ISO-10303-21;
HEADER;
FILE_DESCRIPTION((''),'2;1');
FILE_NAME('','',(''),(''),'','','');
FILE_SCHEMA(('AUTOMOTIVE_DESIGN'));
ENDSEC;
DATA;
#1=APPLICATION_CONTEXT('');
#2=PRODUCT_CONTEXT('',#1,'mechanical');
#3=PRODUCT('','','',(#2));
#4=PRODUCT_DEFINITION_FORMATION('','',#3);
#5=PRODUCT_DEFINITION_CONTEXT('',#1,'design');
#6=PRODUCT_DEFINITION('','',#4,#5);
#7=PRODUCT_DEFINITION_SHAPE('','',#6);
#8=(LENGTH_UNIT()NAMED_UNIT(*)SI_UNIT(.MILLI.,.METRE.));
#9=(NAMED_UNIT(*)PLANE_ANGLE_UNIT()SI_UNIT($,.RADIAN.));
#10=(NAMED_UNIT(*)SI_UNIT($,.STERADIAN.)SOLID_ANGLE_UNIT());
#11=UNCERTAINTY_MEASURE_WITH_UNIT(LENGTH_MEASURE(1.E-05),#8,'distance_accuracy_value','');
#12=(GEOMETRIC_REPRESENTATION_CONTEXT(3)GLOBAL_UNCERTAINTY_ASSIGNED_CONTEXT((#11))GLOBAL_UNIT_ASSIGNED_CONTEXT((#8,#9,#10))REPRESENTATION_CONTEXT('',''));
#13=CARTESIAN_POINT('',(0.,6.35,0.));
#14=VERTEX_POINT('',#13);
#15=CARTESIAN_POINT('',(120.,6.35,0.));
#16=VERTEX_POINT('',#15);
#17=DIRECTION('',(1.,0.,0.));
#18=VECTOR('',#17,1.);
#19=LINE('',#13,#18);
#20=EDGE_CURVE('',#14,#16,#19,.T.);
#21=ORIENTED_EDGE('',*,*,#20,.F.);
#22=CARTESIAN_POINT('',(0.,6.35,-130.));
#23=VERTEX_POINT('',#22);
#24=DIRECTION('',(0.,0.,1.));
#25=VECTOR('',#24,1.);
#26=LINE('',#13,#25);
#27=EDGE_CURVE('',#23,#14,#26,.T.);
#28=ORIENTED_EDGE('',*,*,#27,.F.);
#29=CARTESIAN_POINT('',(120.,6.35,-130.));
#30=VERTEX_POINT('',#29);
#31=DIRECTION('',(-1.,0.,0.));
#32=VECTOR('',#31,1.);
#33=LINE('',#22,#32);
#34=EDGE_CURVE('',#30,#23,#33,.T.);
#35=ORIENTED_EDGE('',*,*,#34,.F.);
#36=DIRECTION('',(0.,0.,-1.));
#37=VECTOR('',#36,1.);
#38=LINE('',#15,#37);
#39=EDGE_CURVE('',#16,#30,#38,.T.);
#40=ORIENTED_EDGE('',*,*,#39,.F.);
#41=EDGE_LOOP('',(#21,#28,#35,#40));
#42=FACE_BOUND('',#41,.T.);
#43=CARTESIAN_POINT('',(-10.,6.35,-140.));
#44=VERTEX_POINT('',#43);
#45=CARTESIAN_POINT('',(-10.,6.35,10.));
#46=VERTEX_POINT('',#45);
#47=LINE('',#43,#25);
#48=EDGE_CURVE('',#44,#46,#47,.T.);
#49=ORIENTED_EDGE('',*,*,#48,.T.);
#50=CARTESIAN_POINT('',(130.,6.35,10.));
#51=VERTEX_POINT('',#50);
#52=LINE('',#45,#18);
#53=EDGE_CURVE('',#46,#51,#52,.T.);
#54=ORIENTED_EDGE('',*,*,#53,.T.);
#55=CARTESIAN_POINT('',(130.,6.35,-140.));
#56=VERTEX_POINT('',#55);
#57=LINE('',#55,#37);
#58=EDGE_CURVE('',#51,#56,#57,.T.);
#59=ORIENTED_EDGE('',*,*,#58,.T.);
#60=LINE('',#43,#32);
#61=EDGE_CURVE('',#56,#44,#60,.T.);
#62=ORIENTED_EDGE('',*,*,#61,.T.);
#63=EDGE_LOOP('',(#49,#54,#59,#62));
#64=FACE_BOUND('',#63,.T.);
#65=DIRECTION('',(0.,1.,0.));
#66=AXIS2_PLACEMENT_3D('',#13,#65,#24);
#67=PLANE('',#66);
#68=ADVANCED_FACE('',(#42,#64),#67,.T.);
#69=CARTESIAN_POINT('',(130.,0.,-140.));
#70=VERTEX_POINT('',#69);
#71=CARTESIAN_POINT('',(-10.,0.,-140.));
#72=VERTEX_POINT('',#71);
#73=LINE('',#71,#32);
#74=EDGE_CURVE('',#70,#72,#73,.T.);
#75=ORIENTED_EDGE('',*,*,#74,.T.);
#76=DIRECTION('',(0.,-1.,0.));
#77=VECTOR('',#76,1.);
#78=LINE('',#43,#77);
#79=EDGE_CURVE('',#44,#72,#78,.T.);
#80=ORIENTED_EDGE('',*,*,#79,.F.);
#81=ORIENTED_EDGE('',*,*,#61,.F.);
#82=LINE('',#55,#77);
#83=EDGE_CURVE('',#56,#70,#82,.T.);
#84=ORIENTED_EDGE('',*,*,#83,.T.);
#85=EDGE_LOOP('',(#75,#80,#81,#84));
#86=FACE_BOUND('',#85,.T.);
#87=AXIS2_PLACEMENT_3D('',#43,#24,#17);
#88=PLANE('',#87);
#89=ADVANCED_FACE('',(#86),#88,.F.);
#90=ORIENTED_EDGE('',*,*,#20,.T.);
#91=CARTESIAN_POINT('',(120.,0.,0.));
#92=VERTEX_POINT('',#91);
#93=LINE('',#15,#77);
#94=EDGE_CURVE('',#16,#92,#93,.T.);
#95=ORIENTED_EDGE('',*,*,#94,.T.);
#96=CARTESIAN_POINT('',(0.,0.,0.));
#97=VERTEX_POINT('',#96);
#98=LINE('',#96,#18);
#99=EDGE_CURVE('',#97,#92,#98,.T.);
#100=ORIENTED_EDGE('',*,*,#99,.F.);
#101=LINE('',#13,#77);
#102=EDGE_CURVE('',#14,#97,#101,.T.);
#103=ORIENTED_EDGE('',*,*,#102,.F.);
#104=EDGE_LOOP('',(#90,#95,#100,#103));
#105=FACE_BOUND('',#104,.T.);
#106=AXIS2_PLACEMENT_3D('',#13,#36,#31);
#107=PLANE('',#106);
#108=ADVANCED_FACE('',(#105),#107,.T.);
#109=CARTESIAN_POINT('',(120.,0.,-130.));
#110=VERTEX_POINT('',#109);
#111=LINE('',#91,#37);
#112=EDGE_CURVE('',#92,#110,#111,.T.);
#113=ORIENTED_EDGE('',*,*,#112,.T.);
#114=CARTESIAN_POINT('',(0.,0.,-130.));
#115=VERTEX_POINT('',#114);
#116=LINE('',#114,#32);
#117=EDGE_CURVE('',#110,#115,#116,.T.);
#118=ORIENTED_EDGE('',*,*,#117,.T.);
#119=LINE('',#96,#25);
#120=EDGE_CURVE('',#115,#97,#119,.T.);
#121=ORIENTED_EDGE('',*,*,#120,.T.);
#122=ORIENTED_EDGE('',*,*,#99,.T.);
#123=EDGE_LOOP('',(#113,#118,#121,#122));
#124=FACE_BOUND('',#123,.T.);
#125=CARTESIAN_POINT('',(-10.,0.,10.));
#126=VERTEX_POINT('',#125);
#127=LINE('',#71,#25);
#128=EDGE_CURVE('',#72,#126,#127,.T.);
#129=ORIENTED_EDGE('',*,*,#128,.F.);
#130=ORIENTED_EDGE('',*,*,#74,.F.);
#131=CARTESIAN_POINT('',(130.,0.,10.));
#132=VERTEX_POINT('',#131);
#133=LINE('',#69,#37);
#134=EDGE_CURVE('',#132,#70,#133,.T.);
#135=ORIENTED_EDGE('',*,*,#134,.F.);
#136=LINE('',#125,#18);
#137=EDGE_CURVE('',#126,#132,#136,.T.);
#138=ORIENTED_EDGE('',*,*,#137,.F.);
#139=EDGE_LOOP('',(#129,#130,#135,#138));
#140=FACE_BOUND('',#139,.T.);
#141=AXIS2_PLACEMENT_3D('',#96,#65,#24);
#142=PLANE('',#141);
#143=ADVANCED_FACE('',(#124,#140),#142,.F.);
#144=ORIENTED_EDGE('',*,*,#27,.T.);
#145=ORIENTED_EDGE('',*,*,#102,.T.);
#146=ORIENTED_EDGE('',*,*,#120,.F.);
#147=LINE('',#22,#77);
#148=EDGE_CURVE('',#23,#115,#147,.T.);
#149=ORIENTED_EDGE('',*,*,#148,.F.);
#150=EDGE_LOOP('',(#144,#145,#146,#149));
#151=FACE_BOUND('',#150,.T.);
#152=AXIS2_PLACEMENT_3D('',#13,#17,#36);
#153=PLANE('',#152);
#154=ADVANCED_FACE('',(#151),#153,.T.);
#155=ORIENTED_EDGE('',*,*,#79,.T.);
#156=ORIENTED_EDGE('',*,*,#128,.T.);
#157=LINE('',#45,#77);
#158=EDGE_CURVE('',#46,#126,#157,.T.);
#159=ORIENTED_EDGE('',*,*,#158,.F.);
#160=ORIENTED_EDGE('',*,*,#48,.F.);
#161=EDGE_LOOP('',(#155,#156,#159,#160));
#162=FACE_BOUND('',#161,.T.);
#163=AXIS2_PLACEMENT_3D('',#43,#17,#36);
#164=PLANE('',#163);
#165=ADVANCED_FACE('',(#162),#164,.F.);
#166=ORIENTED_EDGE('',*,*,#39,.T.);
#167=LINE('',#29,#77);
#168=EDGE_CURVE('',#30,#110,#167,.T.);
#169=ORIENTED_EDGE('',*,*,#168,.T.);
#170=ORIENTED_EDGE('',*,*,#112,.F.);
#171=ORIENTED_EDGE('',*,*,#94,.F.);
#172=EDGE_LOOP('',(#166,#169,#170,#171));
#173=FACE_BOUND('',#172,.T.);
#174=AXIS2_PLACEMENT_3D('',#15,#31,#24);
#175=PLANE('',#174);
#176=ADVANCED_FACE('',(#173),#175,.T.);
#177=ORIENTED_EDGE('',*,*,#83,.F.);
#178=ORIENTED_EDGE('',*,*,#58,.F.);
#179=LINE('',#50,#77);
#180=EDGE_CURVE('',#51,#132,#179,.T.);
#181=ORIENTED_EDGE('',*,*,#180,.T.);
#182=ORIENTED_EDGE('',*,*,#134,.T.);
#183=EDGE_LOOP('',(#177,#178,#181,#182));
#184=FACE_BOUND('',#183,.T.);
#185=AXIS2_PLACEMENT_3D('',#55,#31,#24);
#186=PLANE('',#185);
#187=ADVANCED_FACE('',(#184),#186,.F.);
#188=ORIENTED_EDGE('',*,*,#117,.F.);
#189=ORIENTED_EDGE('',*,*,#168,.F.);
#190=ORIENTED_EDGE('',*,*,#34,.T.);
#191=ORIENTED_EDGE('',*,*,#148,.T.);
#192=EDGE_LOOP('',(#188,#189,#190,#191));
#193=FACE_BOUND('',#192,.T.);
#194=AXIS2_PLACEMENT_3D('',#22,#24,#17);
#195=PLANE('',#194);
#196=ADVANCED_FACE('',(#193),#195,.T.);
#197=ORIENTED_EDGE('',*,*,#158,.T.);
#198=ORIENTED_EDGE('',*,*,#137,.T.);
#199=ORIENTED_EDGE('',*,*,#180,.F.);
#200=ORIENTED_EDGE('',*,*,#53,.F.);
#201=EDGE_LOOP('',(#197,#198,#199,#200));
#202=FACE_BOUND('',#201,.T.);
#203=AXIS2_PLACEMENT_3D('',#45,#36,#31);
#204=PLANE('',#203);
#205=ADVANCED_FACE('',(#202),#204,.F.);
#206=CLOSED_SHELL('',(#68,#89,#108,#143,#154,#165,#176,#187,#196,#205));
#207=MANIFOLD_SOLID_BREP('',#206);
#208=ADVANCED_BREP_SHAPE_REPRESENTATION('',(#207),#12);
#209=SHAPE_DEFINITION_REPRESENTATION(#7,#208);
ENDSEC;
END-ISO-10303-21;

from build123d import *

# Parameters (mm, degrees)
SKETCH1_W           = 140
SKETCH1_H           = 150
SKETCH1_W_2         = 120
SKETCH1_H_2         = 130
BOSS_EXTRUDE1_DEPTH = 6.35


with BuildPart() as part:
    # Sketch1 → Boss-Extrude1 (new body)
    with BuildSketch(Plane(origin=(0, 0, 0), x_dir=(1, 0, 0), z_dir=(0, 1, 0))):
        with Locations((60, 65)):
            Rectangle(SKETCH1_W, SKETCH1_H)
        with Locations((60, 65)):
            Rectangle(SKETCH1_W_2, SKETCH1_H_2, mode=Mode.SUBTRACT)
    extrude(amount=BOSS_EXTRUDE1_DEPTH)


solid = part.part
